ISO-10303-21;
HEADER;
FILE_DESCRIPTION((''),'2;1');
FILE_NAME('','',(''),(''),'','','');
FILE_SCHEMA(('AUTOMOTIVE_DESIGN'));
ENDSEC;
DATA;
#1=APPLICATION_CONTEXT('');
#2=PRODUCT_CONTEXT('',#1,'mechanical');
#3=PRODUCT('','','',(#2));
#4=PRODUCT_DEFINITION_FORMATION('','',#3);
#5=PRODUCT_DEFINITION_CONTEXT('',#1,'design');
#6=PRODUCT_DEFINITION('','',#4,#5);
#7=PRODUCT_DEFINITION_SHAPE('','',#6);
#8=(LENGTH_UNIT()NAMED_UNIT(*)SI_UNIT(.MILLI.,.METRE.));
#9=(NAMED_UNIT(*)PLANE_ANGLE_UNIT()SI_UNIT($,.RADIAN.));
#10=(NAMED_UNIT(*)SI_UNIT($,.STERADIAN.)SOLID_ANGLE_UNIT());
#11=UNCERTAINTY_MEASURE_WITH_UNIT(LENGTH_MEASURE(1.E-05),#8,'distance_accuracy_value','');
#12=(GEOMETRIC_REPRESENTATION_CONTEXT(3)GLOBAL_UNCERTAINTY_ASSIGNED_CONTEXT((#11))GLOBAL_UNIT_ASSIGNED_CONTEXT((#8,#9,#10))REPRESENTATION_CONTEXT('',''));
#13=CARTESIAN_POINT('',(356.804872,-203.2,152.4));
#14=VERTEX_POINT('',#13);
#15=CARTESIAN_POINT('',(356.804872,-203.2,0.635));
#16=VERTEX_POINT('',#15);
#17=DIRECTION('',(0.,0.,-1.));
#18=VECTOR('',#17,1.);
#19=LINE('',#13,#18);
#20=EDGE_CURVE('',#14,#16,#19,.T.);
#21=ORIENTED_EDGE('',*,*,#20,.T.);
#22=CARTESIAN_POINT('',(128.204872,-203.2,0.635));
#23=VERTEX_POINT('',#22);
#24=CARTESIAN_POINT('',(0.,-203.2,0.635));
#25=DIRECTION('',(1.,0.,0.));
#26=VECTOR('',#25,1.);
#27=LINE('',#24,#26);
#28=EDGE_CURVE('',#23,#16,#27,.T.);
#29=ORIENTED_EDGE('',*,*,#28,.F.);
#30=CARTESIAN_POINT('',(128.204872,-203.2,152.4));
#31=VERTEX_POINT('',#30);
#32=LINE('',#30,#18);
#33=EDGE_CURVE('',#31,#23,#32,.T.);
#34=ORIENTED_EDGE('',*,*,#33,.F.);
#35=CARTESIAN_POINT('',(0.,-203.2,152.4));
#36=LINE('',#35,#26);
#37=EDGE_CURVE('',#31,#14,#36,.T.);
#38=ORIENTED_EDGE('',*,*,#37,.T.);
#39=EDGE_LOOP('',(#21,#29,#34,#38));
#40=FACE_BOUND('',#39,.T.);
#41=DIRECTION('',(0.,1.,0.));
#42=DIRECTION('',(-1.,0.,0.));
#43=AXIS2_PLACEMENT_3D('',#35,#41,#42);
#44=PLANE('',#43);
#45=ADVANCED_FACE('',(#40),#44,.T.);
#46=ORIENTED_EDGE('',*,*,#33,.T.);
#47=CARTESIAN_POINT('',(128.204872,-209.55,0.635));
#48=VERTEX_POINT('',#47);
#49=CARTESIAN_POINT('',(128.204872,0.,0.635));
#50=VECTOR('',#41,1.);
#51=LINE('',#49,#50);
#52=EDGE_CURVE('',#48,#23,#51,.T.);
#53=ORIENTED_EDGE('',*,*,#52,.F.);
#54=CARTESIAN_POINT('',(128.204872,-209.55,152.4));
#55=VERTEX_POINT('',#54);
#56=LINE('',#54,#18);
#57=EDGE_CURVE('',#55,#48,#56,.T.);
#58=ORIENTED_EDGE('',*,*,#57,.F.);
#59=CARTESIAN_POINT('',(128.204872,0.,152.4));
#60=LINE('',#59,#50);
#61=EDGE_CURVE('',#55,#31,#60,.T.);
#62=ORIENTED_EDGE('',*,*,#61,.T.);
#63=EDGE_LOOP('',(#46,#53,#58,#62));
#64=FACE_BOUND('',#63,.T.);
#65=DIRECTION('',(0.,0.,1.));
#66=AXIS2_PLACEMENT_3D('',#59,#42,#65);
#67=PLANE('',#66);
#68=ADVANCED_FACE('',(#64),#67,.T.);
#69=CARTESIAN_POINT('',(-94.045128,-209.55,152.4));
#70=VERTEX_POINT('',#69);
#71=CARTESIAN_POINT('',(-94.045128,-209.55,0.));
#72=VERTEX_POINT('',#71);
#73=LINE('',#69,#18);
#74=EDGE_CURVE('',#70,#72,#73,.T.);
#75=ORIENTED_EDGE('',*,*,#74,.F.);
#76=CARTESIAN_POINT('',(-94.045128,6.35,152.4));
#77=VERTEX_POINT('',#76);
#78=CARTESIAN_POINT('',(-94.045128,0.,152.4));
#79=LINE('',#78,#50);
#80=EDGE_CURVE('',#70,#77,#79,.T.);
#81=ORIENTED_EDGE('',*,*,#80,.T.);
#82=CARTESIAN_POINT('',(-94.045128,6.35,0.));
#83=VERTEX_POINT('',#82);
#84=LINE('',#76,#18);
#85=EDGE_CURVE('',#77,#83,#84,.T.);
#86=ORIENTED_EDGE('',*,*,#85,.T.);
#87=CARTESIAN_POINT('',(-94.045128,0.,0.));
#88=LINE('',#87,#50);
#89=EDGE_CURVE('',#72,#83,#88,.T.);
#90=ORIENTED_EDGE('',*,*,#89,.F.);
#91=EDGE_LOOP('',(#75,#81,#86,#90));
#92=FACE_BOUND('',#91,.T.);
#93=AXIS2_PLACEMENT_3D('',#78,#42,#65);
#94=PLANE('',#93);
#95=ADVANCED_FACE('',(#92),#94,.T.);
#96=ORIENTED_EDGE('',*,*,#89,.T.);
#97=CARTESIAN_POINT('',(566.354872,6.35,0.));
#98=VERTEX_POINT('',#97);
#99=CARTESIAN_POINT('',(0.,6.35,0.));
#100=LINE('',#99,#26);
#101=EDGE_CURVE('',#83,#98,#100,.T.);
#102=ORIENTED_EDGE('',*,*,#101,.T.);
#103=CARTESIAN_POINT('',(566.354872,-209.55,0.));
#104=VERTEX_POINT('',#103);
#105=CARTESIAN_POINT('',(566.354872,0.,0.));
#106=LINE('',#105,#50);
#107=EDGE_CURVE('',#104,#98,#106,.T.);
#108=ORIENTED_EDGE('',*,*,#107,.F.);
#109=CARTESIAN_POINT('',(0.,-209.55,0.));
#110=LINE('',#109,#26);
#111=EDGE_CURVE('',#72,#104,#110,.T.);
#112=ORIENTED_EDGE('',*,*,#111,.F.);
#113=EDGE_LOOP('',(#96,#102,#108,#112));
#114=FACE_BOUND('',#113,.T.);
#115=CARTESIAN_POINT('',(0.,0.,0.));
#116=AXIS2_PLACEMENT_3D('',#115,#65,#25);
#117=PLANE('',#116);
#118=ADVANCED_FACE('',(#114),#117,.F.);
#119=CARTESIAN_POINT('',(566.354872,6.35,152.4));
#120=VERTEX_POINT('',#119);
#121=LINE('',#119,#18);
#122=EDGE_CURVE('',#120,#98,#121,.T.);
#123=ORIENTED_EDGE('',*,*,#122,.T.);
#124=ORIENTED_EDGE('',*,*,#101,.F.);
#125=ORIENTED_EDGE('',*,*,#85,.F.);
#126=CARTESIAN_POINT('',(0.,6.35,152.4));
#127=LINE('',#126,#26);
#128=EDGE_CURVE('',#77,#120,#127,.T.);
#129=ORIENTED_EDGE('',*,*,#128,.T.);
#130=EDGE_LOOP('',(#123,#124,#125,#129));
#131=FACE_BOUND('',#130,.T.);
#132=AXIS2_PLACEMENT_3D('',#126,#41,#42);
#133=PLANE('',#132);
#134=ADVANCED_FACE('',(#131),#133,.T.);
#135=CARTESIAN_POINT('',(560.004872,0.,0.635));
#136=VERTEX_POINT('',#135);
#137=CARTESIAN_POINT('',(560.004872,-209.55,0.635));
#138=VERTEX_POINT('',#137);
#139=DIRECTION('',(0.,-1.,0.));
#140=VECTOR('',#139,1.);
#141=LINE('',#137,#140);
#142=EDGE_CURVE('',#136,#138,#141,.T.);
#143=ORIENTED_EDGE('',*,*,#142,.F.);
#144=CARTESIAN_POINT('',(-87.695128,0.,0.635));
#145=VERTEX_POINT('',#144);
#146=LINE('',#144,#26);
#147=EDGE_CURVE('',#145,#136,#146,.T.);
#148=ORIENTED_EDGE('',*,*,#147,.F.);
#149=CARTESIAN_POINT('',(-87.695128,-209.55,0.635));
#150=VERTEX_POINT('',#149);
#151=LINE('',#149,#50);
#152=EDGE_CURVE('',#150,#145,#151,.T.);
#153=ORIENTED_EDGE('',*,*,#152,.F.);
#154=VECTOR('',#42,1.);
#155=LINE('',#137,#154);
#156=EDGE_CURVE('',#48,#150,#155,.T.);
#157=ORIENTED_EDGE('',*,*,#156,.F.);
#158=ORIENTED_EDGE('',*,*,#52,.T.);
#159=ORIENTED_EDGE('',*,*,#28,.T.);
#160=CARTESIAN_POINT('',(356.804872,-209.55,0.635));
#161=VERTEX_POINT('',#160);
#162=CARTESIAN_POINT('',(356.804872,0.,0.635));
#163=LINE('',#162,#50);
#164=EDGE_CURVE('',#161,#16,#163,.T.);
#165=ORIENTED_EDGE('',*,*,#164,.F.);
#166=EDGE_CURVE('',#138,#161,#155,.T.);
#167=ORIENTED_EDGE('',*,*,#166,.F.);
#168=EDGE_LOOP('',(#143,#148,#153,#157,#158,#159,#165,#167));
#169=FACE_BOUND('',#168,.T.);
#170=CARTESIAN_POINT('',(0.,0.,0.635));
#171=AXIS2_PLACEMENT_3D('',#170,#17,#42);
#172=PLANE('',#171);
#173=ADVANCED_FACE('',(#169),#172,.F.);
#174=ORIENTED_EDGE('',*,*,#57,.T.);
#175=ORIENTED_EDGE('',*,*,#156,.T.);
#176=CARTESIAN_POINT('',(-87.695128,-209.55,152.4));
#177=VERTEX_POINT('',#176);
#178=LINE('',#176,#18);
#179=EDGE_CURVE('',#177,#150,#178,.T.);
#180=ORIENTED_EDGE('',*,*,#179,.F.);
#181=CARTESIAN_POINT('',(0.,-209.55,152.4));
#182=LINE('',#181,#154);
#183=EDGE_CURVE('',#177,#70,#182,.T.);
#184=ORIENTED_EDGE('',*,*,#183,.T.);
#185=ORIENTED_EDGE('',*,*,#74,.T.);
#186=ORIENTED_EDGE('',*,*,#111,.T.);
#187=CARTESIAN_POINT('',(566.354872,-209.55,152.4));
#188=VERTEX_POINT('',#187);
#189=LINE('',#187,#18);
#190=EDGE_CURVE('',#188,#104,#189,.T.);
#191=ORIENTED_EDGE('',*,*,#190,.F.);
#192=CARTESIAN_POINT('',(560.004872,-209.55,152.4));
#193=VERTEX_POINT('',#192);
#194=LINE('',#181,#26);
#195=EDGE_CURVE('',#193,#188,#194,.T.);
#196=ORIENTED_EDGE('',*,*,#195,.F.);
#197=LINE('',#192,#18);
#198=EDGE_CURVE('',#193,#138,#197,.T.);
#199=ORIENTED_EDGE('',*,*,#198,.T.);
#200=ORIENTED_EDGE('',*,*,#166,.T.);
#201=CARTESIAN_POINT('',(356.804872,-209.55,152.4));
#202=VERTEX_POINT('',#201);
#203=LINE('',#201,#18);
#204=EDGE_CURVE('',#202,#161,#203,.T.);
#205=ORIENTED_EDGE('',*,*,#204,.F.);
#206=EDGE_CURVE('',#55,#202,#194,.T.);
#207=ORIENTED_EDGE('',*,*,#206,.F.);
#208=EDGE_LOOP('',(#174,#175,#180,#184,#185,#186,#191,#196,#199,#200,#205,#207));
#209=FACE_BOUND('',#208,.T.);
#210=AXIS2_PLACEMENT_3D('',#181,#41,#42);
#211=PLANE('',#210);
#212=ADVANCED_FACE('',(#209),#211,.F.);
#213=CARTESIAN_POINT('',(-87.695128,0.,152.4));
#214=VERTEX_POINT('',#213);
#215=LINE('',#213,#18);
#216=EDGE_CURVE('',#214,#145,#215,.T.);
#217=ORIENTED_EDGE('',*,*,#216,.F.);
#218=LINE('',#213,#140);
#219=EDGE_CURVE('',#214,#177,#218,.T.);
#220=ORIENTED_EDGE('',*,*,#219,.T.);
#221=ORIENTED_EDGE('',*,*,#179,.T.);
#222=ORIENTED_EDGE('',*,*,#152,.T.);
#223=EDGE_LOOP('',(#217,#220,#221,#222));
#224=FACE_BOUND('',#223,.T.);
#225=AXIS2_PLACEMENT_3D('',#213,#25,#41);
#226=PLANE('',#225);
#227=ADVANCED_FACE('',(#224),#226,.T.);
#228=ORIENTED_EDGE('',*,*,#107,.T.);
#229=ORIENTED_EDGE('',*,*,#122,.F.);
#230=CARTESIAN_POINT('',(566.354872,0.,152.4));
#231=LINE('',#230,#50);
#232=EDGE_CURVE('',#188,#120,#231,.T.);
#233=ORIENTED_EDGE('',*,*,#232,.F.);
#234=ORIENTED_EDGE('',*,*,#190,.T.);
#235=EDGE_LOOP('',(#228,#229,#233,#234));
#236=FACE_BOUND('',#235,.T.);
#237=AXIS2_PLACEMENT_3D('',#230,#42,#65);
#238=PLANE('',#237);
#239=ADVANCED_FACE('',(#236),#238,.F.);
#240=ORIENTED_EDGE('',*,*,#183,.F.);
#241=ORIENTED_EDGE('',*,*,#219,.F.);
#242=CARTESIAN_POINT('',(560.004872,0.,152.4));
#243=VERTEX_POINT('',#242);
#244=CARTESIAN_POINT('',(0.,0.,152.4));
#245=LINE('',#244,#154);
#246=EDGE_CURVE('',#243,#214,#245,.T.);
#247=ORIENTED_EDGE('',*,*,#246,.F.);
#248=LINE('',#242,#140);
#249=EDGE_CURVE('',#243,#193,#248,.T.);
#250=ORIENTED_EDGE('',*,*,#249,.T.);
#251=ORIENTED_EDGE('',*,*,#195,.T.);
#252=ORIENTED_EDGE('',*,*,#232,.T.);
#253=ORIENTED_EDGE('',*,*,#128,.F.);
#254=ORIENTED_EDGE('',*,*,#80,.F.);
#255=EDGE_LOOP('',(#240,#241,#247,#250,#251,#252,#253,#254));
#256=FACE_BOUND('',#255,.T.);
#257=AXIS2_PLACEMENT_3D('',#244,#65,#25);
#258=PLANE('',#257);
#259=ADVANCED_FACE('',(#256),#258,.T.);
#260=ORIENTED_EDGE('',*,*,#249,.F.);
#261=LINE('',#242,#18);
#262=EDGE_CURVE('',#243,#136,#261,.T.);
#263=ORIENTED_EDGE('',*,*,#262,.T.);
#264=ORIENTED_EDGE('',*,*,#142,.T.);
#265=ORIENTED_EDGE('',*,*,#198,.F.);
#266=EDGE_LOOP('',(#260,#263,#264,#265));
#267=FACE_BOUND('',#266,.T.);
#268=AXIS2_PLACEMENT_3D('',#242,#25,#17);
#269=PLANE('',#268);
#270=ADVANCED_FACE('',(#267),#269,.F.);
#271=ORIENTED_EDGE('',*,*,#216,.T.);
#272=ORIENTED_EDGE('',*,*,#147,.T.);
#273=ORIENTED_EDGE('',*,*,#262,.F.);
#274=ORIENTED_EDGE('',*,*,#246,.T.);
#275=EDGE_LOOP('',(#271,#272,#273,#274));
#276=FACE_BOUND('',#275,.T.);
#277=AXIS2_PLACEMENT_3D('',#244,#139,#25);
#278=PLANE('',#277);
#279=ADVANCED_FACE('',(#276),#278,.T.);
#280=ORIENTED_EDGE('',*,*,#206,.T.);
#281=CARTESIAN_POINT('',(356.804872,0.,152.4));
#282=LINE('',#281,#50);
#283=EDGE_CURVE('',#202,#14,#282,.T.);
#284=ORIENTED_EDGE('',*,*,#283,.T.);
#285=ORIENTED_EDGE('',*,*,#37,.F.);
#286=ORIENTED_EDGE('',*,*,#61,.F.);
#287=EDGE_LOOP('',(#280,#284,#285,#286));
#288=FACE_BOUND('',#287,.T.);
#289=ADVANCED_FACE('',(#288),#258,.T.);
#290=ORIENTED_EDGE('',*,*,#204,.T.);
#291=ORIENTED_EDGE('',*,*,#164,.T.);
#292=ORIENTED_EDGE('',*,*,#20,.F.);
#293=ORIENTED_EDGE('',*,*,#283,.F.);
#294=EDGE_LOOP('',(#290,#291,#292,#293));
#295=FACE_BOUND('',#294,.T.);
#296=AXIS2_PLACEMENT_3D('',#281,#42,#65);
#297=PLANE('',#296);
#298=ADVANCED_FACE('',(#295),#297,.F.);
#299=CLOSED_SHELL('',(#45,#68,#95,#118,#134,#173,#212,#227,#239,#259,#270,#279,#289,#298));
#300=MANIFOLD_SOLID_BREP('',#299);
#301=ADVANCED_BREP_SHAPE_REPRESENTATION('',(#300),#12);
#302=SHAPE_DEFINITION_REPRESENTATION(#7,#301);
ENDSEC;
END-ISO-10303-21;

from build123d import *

# Parameters (mm, degrees)
BOSS_EXTRUDE1_DEPTH   = 152.4
SKETCH1_W             = 228.6
SKETCH1_H             = 6.35
BOSS_EXTRUDE1_2_DEPTH = 152.4
SKETCH3_W             = 647.7
SKETCH3_H             = 209.55
BOSS_EXTRUDE2_DEPTH   = 0.635


with BuildPart() as part:
    # Sketch1 → Boss-Extrude1 (new body)
    with BuildSketch(Plane.XY):
        Polygon((-94.045128316, 6.35), (566.354871684, 6.35), (566.354871684, -209.55), (560.004871684, -209.55), (560.004871684, 0), (-87.695128316, 0), (-87.695128316, -209.55), (-94.045128316, -209.55), align=None)
    extrude(amount=BOSS_EXTRUDE1_DEPTH)



with BuildPart() as body_2:
    # Sketch1 → Boss-Extrude1 2 (new body)
    with BuildSketch(Plane.XY):
        with Locations((242.504871684, -206.375)):
            Rectangle(SKETCH1_W, SKETCH1_H)
    extrude(amount=BOSS_EXTRUDE1_2_DEPTH)


with BuildPart() as part_1:
    add(part.part)

    add(body_2.part)  # Boss-Extrude2 merges body 2
    # Sketch3 → Boss-Extrude2 (add)
    with BuildSketch(Plane(origin=(0, 0, 0), x_dir=(-1, 0, 0), z_dir=(0, 0, -1))):
        with Locations((-236.154871684, -104.775)):
            Rectangle(SKETCH3_W, SKETCH3_H)
    extrude(amount=-BOSS_EXTRUDE2_DEPTH)


solid = part_1.part
